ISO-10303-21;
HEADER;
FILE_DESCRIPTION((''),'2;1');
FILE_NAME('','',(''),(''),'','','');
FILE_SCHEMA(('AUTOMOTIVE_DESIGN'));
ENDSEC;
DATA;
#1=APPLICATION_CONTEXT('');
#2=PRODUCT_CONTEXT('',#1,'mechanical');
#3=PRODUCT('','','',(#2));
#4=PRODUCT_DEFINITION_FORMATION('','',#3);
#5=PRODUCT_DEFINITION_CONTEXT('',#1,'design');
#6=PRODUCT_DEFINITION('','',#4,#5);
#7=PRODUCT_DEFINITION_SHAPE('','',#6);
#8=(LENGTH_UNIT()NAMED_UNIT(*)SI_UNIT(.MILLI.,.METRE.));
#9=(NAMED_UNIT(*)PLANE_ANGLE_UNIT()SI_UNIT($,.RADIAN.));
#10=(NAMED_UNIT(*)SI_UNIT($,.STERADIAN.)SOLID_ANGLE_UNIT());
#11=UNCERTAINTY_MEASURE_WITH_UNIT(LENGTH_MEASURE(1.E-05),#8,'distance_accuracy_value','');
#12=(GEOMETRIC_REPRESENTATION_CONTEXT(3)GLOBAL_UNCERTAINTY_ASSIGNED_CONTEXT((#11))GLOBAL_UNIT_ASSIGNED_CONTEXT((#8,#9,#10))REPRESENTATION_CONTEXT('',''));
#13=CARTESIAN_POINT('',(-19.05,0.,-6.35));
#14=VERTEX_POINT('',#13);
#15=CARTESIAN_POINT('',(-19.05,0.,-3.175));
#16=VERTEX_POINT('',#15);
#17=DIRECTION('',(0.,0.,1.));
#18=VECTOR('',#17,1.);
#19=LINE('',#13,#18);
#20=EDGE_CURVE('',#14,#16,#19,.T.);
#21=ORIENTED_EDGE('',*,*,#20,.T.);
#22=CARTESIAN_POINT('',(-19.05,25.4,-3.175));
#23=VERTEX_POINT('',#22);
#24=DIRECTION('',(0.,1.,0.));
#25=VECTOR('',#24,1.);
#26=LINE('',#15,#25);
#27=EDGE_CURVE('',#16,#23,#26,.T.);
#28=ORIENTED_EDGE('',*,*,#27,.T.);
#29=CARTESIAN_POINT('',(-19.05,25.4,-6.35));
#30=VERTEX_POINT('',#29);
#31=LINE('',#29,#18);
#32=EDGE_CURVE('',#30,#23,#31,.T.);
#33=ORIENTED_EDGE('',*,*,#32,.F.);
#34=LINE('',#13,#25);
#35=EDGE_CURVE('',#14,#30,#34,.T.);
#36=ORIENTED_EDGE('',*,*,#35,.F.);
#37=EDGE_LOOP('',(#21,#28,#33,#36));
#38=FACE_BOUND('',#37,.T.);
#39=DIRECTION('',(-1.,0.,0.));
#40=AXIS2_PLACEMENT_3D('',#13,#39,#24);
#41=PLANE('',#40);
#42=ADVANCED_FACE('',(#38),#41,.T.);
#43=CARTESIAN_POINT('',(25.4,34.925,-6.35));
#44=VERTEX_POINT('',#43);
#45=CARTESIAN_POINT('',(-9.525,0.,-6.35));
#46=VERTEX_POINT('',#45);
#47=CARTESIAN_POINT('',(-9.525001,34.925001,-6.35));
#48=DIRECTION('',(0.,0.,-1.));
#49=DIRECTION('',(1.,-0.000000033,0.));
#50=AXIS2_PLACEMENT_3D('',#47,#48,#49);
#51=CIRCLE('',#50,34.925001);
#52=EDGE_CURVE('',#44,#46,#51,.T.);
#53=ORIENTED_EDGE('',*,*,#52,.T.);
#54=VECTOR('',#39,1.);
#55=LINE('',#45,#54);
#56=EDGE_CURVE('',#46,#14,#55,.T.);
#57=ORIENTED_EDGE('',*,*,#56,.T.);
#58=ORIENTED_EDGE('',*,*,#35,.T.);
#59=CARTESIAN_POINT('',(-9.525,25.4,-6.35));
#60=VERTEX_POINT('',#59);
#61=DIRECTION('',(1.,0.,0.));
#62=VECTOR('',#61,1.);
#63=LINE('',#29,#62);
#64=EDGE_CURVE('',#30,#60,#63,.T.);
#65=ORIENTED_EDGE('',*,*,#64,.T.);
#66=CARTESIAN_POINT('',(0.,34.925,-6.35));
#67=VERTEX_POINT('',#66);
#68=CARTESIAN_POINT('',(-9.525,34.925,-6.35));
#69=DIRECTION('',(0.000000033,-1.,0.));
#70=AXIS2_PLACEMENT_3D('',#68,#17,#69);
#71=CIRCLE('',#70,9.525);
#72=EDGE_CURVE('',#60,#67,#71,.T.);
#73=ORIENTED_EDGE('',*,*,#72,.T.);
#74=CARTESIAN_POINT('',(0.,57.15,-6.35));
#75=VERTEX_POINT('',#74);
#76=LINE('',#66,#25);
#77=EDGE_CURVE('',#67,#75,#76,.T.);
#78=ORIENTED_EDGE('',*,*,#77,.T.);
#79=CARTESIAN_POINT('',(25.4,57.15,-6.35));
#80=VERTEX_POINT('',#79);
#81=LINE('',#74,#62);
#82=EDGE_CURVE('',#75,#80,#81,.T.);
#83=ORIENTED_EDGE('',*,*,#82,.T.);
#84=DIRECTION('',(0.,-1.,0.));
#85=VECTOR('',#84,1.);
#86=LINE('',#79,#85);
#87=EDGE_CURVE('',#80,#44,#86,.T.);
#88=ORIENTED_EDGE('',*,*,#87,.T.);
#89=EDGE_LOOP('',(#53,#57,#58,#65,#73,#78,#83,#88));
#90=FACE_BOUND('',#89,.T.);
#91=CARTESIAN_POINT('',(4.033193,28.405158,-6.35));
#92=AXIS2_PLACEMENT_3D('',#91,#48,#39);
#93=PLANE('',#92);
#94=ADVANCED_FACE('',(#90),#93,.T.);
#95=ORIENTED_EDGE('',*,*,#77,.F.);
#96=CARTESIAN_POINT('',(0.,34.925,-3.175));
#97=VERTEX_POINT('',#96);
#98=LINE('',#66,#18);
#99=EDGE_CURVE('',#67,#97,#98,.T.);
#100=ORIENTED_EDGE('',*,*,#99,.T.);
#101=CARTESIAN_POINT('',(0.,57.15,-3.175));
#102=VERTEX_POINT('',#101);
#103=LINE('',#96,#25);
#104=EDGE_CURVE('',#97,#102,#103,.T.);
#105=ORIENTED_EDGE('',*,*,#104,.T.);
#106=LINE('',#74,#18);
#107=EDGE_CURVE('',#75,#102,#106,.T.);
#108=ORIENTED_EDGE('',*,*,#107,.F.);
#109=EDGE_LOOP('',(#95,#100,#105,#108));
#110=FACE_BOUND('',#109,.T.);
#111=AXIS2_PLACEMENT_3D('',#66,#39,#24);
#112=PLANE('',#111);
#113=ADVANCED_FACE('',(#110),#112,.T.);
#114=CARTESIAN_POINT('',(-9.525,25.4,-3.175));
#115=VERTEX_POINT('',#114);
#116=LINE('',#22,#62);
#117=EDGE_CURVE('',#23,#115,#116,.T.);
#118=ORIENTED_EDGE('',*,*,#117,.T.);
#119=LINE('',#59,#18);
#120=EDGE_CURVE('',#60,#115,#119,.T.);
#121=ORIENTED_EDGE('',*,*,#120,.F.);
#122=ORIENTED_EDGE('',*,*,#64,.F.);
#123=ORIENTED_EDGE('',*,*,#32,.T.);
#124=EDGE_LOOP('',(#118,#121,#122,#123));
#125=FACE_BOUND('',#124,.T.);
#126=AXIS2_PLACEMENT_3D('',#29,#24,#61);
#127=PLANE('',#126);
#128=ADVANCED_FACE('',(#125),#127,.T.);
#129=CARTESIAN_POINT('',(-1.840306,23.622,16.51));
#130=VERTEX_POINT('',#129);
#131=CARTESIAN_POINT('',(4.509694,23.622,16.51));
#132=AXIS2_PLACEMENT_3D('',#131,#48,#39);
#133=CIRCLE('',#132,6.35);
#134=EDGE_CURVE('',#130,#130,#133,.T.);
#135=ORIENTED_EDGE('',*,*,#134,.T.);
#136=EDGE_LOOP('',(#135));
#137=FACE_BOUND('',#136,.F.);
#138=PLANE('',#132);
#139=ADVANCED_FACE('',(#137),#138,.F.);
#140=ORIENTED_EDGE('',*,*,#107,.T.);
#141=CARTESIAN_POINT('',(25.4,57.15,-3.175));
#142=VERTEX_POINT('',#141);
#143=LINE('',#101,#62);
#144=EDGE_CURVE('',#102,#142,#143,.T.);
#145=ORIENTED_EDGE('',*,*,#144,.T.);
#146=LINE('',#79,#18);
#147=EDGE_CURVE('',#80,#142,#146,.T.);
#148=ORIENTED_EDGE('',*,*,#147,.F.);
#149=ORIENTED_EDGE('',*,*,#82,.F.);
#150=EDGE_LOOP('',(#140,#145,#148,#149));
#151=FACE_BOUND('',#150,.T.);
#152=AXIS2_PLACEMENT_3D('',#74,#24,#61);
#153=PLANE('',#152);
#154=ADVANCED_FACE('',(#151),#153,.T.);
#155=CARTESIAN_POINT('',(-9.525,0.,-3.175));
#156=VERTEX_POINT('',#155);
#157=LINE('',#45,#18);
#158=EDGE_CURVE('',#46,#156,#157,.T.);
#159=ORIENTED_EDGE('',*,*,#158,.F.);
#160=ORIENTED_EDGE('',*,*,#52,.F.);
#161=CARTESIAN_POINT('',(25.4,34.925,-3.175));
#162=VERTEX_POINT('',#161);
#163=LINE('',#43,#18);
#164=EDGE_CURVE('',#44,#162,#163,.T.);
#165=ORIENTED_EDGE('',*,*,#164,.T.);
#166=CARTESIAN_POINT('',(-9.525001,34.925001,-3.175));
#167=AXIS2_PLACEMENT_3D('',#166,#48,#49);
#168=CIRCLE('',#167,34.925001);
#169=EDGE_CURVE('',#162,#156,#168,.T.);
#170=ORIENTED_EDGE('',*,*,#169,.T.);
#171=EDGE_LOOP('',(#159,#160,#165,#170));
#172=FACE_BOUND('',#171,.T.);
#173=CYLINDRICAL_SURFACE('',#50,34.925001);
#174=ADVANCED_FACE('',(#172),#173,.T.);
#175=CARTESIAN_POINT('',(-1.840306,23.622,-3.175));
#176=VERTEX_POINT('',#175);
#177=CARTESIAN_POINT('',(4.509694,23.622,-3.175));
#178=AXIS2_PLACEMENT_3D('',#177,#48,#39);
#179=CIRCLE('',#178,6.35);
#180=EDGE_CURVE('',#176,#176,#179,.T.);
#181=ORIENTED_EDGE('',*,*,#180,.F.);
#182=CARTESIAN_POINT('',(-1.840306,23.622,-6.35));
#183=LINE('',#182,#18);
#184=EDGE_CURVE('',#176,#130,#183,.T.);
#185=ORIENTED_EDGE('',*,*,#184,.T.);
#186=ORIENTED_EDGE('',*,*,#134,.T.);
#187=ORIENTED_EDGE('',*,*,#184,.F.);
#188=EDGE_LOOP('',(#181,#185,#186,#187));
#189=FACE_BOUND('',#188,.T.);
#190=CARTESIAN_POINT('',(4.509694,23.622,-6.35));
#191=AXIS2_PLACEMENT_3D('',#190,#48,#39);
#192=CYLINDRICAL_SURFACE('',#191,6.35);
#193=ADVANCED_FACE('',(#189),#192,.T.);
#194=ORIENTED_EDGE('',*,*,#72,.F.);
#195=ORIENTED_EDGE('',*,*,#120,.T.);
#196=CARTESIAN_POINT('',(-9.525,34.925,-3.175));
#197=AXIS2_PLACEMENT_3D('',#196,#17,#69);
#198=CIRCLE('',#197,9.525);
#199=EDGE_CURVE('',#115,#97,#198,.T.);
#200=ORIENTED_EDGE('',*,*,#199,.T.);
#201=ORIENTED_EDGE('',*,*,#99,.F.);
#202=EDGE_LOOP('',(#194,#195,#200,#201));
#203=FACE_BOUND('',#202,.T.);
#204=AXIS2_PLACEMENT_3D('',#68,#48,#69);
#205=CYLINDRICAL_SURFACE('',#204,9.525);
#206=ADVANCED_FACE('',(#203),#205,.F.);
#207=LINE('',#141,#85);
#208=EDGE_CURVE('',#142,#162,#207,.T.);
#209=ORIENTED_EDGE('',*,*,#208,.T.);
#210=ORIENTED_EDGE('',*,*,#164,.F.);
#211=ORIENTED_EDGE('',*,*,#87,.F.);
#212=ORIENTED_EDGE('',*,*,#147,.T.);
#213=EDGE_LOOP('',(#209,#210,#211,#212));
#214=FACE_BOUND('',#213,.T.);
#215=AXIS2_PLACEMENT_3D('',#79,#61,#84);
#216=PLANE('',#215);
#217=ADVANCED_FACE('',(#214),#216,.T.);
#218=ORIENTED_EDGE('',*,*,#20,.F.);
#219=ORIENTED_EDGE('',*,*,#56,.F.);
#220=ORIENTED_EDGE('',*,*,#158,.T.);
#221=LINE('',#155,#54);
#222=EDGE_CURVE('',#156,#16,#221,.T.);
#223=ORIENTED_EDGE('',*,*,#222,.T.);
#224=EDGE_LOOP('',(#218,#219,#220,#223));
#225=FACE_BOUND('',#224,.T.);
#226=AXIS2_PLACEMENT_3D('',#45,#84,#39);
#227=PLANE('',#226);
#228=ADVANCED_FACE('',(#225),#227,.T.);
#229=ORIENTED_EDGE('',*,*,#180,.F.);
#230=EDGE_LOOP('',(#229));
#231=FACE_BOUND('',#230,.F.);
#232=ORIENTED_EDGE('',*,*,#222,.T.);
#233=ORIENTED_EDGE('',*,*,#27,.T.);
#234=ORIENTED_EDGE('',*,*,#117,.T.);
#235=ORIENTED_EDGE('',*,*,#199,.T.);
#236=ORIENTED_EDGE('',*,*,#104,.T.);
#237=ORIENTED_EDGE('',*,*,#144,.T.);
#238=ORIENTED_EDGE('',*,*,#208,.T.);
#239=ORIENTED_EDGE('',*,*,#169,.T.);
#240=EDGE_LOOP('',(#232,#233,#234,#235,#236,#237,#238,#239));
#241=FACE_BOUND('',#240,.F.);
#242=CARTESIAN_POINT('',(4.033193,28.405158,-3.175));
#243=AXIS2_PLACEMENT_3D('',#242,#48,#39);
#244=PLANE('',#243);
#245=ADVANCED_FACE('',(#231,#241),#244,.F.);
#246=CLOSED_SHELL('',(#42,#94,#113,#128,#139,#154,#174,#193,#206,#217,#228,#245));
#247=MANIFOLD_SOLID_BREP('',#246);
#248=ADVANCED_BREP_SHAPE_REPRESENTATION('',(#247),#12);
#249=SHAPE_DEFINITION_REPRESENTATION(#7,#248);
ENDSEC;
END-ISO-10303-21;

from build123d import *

# Parameters (mm, degrees)
F0_R     = 6.35
F1_DEPTH = 22.86
F2_DEPTH = 3.175
F3_ANGLE = 180


with BuildPart() as f1:
    # F0 (on Top) → F1 (new body)
    with BuildSketch(Plane.XY):
        with Locations((-4.509694, 23.622)):
            Circle(F0_R)
    extrude(amount=-F1_DEPTH)

    # F0 (on Top) → F2 (join)
    with BuildSketch(Plane.XY):
        with BuildLine():
            Line((0, 57.15), (-25.4, 57.15))
            Line((-25.4, 57.15), (-25.4, 34.925))
            ThreePointArc((-25.4, 34.925), (-15.170704, 10.229296), (9.525, 0))
            Line((9.525, 0), (19.05, 0))
            Line((19.05, 0), (19.05, 25.4))
            Line((19.05, 25.4), (9.525, 25.4))
            ThreePointArc((9.525, 25.4), (2.789808, 28.189808), (0, 34.925))
            Line((0, 34.925), (0, 57.15))
        make_face()
        with Locations((-4.509694, 23.622)):
            Circle(F0_R, mode=Mode.SUBTRACT)
    extrude(amount=-F2_DEPTH)


with BuildPart() as f1_1:
    # F3: moved
    add(f1.part.rotate(Axis((0, 46.0375, -3.175), (0, 1, 0)), F3_ANGLE))


solid = f1_1.part
